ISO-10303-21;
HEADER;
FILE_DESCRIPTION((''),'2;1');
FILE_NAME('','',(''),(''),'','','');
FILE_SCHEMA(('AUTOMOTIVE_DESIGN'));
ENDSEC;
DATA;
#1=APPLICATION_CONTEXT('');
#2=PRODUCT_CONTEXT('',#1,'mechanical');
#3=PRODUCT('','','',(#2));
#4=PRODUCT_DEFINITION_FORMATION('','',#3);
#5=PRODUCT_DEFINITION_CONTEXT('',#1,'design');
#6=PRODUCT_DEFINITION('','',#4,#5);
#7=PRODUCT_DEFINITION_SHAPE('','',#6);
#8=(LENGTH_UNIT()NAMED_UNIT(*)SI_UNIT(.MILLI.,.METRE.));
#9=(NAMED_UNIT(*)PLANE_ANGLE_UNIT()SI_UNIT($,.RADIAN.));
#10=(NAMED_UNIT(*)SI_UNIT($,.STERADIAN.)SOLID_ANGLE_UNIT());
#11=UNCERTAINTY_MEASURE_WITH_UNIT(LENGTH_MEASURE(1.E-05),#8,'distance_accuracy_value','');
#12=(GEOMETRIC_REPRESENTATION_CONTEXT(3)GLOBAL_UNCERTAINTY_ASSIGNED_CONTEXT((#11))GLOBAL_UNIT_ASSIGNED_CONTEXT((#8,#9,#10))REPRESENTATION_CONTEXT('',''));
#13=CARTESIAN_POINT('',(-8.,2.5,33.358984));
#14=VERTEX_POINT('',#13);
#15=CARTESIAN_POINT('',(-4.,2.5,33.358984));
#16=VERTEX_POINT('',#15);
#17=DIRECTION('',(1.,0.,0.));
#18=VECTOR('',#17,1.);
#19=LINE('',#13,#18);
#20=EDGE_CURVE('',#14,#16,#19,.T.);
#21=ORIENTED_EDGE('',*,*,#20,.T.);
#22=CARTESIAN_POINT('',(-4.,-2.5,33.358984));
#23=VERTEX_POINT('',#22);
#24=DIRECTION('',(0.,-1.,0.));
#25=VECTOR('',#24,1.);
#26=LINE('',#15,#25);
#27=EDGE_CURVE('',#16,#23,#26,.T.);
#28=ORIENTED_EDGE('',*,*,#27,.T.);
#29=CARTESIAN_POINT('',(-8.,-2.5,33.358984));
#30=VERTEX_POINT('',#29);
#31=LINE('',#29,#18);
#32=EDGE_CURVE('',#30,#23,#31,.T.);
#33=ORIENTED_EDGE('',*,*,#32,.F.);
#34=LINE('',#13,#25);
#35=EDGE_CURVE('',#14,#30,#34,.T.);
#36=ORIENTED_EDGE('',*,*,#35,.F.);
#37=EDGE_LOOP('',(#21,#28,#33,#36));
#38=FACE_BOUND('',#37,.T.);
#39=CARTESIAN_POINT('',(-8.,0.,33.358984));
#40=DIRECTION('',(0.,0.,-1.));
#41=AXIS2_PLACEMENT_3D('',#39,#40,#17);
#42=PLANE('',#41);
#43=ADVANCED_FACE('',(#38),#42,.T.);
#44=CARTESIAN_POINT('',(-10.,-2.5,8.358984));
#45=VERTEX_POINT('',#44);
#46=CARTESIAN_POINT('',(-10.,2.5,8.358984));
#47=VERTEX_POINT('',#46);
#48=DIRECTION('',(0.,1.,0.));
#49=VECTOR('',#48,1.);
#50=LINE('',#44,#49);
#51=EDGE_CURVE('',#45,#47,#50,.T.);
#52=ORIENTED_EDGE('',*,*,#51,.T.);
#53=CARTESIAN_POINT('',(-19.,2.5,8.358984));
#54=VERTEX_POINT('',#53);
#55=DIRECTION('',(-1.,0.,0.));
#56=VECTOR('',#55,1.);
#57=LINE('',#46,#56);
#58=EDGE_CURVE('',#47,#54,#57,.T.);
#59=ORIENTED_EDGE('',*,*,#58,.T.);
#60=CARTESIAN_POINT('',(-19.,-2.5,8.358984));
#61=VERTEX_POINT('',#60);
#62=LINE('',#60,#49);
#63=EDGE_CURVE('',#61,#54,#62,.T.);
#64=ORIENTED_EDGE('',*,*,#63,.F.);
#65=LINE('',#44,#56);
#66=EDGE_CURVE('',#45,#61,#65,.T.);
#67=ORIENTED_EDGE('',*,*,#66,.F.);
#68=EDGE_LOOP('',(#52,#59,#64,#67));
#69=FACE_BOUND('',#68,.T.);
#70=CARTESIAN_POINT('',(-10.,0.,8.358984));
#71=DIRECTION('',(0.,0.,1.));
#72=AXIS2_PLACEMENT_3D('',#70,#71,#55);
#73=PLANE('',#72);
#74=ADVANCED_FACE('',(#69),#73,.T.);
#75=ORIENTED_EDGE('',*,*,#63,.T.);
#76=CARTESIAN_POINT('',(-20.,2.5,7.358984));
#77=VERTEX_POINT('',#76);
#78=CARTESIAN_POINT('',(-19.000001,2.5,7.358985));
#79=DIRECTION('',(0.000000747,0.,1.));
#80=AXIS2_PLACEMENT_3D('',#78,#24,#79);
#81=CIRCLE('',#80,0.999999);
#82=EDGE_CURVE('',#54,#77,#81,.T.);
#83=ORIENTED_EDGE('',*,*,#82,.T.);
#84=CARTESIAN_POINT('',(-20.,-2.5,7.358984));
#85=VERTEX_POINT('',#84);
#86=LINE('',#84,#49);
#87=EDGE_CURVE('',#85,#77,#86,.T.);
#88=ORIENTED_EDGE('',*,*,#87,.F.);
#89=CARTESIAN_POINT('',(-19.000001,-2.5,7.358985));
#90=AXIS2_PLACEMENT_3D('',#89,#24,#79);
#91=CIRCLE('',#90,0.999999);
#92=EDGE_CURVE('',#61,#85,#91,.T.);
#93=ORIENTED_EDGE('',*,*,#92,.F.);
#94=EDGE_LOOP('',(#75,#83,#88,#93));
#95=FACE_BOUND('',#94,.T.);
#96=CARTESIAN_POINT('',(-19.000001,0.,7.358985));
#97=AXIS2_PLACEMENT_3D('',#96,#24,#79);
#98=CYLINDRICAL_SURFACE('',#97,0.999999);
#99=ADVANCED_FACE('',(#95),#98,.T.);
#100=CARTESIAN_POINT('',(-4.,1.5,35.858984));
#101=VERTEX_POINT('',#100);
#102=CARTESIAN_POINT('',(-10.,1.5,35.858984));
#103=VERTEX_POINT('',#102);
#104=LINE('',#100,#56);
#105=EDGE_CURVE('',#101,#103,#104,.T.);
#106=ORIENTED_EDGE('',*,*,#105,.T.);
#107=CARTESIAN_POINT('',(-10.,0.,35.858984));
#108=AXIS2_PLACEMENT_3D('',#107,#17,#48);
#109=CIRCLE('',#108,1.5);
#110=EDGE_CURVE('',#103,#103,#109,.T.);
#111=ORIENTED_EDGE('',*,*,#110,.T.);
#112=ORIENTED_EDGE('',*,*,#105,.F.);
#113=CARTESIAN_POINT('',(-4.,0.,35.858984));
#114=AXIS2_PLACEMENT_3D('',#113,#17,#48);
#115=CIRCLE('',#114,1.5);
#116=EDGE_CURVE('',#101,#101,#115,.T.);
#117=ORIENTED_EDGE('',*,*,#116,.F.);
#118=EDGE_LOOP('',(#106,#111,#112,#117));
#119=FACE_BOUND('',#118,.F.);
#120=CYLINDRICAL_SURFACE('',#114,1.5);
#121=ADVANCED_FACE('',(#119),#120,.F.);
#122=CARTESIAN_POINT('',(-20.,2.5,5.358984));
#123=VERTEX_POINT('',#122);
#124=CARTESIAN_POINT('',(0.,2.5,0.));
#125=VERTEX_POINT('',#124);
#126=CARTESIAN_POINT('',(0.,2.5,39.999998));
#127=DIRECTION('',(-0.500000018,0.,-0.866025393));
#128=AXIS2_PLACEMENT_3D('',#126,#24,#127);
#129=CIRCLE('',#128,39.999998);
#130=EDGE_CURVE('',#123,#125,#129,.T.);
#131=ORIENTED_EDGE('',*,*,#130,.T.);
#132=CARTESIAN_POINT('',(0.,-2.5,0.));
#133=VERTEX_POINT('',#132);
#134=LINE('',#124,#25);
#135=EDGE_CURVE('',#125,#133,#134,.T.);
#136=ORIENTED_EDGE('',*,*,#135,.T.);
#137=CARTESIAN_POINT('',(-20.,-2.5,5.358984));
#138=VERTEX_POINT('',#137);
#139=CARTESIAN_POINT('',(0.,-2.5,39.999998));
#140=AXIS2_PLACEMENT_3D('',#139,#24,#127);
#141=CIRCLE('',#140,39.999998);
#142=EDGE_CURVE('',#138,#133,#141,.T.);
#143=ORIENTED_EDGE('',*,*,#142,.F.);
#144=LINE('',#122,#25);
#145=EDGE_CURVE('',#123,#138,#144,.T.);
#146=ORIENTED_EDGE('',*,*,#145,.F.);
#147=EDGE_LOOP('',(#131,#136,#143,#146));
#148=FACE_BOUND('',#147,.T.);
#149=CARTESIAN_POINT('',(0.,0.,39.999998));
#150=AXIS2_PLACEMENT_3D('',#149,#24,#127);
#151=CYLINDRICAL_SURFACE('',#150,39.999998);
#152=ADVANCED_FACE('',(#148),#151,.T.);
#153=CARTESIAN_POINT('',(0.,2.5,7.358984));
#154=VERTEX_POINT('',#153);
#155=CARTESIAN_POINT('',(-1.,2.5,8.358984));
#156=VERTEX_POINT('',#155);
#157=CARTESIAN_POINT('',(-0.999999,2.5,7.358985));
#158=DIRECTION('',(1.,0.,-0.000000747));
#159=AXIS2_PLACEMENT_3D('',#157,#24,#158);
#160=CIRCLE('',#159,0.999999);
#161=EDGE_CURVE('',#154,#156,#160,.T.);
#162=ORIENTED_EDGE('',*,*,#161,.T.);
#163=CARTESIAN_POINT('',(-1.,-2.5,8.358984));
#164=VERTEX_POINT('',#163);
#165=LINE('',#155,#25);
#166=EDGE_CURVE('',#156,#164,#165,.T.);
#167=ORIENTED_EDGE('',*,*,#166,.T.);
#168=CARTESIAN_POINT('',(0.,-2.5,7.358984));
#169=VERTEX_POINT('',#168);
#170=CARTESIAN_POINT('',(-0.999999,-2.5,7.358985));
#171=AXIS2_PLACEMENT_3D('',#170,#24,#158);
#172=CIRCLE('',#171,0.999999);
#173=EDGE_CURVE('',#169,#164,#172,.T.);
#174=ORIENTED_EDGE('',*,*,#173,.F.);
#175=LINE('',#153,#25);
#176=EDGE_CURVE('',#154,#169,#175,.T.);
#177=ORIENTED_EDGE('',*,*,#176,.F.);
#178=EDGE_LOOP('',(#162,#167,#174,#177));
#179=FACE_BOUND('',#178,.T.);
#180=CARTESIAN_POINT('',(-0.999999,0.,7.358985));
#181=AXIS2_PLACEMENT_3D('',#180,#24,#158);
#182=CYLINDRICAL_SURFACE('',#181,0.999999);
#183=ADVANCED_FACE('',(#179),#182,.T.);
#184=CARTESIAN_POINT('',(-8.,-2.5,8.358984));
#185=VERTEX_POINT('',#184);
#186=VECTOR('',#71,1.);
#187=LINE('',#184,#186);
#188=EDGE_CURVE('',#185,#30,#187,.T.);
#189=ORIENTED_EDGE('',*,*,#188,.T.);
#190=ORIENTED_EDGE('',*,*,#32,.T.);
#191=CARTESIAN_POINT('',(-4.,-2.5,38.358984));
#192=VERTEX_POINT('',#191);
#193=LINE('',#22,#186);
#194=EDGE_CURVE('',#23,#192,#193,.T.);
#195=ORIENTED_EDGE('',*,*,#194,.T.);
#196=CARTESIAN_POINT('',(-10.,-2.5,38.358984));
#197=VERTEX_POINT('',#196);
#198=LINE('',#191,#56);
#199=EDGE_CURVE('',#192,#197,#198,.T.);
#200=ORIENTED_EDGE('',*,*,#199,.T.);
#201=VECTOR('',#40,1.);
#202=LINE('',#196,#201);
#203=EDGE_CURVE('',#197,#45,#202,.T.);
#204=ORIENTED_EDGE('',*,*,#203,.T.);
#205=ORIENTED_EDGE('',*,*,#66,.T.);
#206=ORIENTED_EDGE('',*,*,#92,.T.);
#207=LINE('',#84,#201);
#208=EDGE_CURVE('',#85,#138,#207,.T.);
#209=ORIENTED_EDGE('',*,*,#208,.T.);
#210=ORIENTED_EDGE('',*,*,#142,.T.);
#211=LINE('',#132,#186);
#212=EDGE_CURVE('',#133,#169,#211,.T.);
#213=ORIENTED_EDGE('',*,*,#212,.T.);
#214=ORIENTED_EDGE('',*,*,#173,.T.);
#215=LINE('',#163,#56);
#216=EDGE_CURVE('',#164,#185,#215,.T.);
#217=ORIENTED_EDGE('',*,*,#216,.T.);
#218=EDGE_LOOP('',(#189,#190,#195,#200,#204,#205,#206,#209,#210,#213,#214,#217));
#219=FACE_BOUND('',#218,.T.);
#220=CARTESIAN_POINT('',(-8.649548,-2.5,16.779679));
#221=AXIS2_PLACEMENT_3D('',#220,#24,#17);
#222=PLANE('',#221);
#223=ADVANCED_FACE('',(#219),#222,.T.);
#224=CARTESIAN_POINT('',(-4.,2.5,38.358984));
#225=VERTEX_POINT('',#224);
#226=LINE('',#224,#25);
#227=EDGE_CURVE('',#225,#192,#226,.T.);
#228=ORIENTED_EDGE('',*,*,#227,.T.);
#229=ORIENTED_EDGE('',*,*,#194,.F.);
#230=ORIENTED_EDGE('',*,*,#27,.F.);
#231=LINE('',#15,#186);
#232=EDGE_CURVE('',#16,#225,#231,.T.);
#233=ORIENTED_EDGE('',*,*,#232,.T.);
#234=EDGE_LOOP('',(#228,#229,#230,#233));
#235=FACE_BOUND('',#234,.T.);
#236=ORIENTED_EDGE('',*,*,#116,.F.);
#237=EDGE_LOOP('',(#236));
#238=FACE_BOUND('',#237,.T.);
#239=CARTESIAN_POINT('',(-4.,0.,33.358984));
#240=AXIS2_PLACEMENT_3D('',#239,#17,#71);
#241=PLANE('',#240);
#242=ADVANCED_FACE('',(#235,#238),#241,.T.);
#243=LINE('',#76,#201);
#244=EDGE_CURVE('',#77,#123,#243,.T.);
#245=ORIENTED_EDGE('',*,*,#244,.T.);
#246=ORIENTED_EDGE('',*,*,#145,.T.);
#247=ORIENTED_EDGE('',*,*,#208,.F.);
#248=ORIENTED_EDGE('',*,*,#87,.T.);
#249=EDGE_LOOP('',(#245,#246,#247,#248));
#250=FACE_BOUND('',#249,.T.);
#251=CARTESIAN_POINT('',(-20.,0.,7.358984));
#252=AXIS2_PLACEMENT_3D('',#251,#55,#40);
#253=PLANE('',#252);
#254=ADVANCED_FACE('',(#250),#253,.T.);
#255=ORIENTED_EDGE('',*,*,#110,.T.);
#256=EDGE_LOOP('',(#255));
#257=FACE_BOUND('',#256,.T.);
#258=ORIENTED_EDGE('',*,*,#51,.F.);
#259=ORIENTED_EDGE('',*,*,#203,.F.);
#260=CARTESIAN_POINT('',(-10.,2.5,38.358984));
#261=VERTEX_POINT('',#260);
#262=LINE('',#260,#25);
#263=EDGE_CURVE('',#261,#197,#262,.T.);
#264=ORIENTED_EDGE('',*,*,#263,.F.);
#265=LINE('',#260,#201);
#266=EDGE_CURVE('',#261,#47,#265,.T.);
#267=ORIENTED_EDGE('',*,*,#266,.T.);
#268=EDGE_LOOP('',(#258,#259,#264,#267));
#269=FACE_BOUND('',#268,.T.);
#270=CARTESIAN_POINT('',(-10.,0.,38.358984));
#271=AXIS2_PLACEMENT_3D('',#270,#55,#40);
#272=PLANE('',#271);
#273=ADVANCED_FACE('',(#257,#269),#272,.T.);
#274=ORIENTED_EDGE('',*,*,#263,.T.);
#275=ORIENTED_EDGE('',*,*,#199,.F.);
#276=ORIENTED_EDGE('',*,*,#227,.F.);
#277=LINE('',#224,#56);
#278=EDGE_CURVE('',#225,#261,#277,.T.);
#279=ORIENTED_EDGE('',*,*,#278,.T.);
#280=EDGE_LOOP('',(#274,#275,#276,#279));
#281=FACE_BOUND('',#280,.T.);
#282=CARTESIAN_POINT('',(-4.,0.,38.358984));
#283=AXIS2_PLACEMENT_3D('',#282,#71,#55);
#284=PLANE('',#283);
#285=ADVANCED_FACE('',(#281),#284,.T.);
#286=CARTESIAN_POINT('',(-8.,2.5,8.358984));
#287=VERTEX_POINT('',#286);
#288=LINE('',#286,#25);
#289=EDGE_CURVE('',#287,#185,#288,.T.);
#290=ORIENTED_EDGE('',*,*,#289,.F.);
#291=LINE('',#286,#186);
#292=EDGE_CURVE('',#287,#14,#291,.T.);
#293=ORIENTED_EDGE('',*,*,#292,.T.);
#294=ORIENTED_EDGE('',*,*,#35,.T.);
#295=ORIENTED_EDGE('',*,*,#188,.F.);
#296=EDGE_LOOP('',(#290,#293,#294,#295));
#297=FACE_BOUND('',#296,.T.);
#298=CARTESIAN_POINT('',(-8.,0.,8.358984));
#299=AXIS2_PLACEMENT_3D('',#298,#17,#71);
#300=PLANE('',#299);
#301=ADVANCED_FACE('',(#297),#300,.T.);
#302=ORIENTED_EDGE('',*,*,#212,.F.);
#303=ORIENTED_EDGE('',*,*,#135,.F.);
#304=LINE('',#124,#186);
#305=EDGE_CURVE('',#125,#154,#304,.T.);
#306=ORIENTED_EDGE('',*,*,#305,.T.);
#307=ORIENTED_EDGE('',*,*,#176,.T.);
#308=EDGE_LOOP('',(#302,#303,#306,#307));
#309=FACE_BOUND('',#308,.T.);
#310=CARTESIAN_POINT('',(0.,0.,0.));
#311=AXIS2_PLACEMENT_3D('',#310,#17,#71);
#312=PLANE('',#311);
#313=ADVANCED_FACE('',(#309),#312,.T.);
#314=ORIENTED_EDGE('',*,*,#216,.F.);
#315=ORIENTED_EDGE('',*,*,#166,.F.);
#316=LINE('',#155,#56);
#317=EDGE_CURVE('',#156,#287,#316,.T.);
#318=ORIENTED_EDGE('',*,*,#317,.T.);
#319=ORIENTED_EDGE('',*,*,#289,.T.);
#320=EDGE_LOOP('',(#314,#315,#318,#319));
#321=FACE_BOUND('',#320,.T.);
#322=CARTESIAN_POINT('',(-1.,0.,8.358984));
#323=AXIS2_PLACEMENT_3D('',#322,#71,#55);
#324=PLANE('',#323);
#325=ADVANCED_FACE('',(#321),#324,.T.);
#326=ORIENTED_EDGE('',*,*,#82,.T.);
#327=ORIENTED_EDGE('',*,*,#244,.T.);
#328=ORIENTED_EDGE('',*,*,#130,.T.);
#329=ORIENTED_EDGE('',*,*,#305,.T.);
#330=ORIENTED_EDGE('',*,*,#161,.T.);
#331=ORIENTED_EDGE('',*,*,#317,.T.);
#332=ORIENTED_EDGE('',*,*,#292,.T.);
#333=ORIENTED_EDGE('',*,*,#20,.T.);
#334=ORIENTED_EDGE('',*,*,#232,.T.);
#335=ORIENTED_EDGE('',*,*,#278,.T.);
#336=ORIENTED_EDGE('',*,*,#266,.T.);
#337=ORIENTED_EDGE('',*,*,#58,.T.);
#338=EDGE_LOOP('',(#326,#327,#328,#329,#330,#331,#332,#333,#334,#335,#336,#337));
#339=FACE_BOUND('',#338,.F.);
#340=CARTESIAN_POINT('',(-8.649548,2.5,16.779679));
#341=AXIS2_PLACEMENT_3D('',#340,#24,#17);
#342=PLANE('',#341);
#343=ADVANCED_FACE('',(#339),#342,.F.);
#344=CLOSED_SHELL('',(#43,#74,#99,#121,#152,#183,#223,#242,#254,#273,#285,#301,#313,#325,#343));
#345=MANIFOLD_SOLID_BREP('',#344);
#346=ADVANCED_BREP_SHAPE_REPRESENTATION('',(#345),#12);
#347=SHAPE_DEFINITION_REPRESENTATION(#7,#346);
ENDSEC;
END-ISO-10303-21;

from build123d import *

# Parameters (mm, degrees)
F1_DEPTH = 2.5
F2_R     = 1.5
F3_DEPTH = 16.001


with BuildPart() as f1:
    # F0 (on Front) → F1 (new body, symmetric)
    with BuildSketch(Plane.XZ):
        with BuildLine():
            Line((-20, 7.358984), (-20, 5.358984))
            ThreePointArc((-20, 5.358984), (-10.352762, 1.362967), (0, 0))
            Line((0, 0), (0, 7.358984))
            ThreePointArc((0, 7.358984), (-0.292893, 8.066091), (-1, 8.358984))
            Line((-1, 8.358984), (-8, 8.358984))
            Line((-8, 8.358984), (-8, 33.358984))
            Line((-8, 33.358984), (-4, 33.358984))
            Line((-4, 33.358984), (-4, 38.358984))
            Line((-4, 38.358984), (-10, 38.358984))
            Line((-10, 38.358984), (-10, 8.358984))
            Line((-10, 8.358984), (-19, 8.358984))
            ThreePointArc((-19, 8.358984), (-19.707107, 8.066091), (-20, 7.358984))
        make_face()
    extrude(amount=F1_DEPTH, both=True)

    # F2 (on face) → F3 (cut, through all)
    with BuildSketch(Plane.YZ.offset(-4)):
        with Locations((0, 35.858984)):
            Circle(F2_R)
    extrude(amount=-F3_DEPTH, mode=Mode.SUBTRACT)


solid = f1.part
